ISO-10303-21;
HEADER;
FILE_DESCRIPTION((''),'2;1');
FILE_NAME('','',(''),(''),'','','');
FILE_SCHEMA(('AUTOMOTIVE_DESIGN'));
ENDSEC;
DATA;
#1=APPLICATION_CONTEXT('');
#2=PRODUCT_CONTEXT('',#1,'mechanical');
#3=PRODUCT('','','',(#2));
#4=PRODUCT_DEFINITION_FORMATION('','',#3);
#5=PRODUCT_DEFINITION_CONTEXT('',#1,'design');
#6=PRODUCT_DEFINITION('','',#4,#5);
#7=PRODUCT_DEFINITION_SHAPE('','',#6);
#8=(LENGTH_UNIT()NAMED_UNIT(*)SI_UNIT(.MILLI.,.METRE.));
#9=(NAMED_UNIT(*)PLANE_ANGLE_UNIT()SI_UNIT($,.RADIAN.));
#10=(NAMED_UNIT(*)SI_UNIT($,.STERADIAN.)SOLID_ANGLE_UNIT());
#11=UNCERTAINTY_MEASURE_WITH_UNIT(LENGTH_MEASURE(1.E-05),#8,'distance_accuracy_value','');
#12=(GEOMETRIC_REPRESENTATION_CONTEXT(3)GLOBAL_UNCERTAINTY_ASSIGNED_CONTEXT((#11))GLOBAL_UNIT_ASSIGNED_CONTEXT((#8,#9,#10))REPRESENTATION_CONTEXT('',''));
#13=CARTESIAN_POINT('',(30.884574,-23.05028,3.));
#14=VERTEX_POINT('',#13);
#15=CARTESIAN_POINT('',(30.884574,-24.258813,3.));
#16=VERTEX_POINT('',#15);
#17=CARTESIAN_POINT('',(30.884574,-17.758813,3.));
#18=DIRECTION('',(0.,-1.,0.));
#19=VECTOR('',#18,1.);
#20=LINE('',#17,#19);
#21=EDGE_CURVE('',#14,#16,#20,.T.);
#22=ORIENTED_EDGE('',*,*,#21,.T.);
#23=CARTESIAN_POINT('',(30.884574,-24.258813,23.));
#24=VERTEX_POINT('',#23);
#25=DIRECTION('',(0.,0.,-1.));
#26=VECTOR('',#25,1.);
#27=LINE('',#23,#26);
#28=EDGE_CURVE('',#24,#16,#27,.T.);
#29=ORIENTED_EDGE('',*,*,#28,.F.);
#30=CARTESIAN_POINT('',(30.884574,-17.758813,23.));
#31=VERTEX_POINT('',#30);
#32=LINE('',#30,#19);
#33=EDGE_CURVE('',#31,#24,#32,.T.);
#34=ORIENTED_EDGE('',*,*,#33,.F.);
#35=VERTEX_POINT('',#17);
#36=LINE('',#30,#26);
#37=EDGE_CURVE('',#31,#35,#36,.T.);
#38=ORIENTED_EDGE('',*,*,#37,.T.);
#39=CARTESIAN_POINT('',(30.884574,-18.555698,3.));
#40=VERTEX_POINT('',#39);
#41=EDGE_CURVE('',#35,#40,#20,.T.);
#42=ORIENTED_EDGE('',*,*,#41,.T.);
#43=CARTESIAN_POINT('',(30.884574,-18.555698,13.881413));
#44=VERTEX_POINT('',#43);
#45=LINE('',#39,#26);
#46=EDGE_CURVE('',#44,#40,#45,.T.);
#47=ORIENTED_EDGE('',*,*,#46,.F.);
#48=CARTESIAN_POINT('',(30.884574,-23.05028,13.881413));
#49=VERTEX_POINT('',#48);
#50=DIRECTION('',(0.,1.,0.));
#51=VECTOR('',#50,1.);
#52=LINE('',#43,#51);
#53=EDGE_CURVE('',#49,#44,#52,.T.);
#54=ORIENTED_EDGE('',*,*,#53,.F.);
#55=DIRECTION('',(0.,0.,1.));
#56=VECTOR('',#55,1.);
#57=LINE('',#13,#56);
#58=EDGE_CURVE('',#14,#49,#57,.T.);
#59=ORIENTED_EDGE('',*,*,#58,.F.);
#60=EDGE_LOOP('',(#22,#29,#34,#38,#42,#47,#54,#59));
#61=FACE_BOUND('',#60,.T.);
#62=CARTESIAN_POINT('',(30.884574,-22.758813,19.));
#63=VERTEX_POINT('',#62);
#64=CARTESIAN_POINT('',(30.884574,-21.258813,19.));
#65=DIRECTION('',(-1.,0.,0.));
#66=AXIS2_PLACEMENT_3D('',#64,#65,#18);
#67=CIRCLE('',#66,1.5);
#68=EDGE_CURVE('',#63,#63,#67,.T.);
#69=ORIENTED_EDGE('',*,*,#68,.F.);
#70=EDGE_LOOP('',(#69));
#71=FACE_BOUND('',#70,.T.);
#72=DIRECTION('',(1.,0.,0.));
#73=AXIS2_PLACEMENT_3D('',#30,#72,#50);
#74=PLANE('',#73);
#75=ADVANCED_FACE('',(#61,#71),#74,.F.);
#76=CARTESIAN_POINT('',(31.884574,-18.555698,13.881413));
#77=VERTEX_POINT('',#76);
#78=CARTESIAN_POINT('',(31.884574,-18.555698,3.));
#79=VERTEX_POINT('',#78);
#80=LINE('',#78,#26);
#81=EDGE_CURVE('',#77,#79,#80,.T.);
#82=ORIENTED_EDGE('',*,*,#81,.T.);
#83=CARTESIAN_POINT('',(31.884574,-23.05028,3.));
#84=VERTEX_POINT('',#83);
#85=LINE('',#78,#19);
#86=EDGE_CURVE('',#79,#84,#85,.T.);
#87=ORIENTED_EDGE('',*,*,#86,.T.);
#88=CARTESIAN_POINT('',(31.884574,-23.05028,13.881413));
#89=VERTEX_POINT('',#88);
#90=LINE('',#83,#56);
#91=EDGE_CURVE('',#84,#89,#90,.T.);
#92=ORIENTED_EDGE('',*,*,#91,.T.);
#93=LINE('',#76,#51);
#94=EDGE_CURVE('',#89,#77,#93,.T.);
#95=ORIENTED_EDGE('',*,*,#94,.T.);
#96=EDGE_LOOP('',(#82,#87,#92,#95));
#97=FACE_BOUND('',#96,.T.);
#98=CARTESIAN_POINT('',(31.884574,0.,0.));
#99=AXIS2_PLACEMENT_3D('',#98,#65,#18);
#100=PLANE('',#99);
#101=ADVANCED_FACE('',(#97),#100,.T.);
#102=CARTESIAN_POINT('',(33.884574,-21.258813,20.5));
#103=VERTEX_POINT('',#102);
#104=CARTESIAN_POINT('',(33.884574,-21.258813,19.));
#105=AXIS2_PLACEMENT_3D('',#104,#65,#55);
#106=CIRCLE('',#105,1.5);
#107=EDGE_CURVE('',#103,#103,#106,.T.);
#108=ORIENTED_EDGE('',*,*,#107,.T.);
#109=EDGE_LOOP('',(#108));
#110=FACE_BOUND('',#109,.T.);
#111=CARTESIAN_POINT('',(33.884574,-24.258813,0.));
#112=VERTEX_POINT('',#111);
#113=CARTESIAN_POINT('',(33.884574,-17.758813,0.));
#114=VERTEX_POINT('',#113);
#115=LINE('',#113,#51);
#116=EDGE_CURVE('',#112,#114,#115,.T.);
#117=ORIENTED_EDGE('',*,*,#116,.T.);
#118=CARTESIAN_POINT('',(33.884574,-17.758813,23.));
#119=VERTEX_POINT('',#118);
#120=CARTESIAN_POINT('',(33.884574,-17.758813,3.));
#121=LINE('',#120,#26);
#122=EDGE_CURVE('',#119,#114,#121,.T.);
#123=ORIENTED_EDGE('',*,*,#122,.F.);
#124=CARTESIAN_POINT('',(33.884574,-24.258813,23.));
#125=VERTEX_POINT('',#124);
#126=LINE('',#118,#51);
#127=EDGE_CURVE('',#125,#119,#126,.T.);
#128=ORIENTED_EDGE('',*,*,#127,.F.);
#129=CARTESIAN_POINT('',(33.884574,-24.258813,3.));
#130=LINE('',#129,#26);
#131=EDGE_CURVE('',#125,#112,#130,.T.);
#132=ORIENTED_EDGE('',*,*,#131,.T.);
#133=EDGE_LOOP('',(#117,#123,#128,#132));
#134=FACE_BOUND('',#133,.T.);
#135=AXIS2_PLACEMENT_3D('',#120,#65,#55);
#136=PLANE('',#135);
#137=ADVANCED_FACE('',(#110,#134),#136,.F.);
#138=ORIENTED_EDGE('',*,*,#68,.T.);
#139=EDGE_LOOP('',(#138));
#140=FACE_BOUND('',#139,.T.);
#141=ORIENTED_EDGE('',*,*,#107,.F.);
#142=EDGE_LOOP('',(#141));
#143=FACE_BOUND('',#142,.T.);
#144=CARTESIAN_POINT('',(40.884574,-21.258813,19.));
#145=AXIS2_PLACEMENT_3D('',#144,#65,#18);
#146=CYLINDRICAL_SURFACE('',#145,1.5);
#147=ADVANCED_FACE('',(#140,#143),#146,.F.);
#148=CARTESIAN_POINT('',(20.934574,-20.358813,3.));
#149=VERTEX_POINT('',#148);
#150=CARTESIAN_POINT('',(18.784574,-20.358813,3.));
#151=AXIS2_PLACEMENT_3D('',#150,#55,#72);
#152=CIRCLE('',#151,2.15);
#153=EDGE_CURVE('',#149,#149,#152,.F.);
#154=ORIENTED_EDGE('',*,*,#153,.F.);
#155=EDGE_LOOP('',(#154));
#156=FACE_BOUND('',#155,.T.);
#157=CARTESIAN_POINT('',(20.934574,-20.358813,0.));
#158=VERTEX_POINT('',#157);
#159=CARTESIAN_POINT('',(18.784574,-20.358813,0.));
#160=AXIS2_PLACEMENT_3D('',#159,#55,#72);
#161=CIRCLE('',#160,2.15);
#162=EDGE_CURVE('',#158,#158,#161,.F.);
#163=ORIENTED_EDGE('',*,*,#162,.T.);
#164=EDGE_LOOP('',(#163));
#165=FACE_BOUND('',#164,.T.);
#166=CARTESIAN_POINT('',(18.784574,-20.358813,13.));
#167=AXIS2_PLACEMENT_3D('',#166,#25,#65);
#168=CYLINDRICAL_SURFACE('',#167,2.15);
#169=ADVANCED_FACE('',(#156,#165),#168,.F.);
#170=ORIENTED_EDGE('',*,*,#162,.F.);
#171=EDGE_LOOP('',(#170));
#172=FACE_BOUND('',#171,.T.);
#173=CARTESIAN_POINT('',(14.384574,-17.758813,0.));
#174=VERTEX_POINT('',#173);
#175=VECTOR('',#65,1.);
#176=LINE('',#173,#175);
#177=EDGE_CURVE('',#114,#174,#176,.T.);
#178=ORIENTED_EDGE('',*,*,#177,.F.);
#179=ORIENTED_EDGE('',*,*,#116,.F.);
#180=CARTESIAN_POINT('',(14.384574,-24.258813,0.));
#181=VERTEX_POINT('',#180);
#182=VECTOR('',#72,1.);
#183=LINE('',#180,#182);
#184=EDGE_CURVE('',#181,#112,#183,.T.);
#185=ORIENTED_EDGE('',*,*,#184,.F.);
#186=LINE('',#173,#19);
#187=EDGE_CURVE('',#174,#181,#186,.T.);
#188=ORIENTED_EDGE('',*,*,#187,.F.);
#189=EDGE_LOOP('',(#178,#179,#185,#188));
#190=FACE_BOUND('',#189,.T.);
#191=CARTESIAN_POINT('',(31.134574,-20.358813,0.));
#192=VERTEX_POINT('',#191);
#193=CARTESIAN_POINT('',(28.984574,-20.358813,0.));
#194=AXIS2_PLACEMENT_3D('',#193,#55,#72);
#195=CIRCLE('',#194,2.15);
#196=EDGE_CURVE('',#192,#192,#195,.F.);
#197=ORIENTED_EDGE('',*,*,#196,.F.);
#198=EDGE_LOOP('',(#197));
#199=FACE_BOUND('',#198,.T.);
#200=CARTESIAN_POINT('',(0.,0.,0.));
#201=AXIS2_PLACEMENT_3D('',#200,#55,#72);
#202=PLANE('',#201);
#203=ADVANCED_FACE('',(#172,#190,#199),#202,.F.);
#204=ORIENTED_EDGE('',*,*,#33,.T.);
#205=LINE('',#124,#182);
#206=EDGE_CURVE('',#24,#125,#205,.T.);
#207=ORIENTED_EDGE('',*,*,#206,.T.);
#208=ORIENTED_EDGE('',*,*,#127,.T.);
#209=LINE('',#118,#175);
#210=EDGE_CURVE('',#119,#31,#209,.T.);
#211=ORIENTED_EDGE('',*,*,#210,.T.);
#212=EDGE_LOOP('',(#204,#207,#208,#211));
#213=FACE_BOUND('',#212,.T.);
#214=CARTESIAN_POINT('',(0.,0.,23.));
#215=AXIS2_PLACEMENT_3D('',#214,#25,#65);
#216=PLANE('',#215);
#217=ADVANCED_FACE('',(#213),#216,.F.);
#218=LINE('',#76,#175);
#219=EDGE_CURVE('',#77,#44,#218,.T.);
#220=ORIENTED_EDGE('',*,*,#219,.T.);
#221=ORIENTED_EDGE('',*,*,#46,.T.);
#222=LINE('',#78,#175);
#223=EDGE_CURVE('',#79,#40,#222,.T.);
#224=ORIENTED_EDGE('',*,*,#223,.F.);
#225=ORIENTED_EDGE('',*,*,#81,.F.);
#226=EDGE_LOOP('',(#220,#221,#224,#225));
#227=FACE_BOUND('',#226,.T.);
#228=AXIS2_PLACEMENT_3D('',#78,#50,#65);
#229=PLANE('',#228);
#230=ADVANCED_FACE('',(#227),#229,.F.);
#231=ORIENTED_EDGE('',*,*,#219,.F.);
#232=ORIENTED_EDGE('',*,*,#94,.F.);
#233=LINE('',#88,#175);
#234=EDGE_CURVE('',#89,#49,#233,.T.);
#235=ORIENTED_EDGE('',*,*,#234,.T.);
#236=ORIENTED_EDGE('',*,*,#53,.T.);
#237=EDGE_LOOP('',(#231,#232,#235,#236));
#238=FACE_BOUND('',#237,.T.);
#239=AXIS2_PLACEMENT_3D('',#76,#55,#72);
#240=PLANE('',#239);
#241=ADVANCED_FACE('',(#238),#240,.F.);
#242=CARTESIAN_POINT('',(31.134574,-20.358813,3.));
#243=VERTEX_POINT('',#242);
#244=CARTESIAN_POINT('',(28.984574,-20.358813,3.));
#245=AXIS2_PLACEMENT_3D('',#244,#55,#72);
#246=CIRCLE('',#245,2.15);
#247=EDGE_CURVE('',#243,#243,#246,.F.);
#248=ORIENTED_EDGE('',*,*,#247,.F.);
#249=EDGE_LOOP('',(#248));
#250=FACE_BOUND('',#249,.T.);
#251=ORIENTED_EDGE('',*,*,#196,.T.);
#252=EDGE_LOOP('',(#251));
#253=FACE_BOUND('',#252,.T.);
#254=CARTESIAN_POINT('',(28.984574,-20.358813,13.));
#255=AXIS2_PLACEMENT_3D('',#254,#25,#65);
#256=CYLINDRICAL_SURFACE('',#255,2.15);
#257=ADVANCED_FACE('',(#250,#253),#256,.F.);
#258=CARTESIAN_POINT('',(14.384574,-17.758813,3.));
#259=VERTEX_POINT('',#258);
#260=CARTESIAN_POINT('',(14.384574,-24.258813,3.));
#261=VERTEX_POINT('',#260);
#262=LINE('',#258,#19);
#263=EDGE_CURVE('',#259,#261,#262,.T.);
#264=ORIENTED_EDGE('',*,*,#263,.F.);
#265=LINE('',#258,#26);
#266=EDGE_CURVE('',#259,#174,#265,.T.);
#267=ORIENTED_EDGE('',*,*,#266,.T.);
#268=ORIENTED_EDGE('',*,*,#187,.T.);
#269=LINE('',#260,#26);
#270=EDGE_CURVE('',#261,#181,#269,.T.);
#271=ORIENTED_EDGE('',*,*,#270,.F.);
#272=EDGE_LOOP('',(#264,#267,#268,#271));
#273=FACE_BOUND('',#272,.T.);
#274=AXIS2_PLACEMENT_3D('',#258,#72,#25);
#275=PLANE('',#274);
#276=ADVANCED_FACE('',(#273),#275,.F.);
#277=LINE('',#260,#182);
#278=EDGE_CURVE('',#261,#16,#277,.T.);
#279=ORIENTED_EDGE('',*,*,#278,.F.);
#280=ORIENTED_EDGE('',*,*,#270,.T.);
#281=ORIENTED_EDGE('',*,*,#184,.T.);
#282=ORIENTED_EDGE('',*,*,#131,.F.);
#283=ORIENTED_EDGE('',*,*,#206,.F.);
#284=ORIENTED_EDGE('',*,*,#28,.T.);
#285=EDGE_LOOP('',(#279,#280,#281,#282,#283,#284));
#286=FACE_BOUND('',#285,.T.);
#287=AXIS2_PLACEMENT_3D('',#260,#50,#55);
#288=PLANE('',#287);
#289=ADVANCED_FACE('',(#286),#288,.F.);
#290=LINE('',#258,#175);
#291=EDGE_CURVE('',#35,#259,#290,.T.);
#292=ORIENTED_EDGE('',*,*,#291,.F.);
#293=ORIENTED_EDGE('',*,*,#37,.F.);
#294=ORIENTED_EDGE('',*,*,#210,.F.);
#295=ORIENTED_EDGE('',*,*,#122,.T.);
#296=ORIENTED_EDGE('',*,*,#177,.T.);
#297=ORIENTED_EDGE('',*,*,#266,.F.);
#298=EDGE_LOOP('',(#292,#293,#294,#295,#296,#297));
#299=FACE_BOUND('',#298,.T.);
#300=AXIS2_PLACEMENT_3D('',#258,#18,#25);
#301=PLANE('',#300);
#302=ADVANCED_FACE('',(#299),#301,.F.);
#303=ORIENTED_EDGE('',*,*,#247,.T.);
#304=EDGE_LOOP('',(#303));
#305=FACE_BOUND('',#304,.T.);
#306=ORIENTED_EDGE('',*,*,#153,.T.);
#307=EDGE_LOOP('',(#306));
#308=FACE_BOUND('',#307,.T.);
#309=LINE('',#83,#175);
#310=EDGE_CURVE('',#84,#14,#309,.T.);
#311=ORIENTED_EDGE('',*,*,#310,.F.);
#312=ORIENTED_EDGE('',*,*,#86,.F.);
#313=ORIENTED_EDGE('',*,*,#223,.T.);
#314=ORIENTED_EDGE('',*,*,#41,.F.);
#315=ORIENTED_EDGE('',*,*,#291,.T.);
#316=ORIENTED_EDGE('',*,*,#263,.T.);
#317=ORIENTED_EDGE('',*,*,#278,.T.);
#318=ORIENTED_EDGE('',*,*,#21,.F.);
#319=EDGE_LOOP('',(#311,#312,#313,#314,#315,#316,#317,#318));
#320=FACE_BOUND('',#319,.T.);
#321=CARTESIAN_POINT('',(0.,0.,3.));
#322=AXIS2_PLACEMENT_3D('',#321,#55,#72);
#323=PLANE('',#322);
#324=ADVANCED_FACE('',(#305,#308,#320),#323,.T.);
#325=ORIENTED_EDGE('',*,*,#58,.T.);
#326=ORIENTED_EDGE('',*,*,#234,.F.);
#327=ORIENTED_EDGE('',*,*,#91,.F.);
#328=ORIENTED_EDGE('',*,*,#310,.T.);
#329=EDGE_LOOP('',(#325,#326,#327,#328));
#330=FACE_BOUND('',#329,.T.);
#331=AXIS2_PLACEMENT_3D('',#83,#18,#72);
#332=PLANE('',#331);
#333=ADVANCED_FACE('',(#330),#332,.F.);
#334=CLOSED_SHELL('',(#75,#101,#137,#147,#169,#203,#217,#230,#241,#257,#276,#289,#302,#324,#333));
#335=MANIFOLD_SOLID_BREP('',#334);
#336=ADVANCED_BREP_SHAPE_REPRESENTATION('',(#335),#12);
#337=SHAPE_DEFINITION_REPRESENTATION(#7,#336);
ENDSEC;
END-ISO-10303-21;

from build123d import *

# Parameters (mm, degrees)
SKETCH1_W               = 19.5
SKETCH1_H               = 6.5
BOSS_EXTRUDE1_DEPTH     = 3
SKETCH2_W               = 3
SKETCH2_H               = 6.5
BOSS_EXTRUDE2_DEPTH     = 20
SKETCH3_R               = 1.5
CUT_EXTRUDE1_DEPTH      = 10
CUT_EXTRUDE2_DEPTH      = 10
CUT_EXTRUDE2_DEPTH_BACK = 10
SKETCH4_R               = 2.15
SKETCH5_W               = 10.88141253
SKETCH5_H               = 4.494582939
CUT_EXTRUDE3_DEPTH      = 1


with BuildPart() as part:
    # Sketch1 → Boss-Extrude1 (new body)
    with BuildSketch(Plane.XY):
        with Locations((24.134573854, -21.008812853)):
            Rectangle(SKETCH1_W, SKETCH1_H)
    extrude(amount=BOSS_EXTRUDE1_DEPTH)

    # Sketch2 → Boss-Extrude2 (add)
    with BuildSketch(Plane.XY.offset(3)):
        with Locations((32.384573854, -21.008812853)):
            Rectangle(SKETCH2_W, SKETCH2_H)
    extrude(amount=BOSS_EXTRUDE2_DEPTH)

    # Sketch3 → Cut-Extrude1 (cut)
    with BuildSketch(Plane.ZY.offset(-30.884573854)):
        with Locations(Location((19, -21.258812853, 0), (0, 0, 270))):
            Circle(SKETCH3_R)
    extrude(amount=-CUT_EXTRUDE1_DEPTH, mode=Mode.SUBTRACT)

    # Sketch4 → Cut-Extrude2 (cut, two sides: drawn at the far end of the back side and taken through both)
    with BuildSketch(Plane.XY.offset(3).offset(-CUT_EXTRUDE2_DEPTH_BACK)):
        with Locations(Location((28.984573854, -20.358812853, 0), (0, 0, 27.905472791))):
            Circle(SKETCH4_R)
        with Locations((18.784573854, -20.358812853)):
            Circle(SKETCH4_R)
    extrude(amount=CUT_EXTRUDE2_DEPTH + CUT_EXTRUDE2_DEPTH_BACK, mode=Mode.SUBTRACT)

    # Sketch5 → Cut-Extrude3 (cut)
    with BuildSketch(Plane.ZY.offset(-30.884573854)):
        with Locations((8.440706265, -20.802989028)):
            Rectangle(SKETCH5_W, SKETCH5_H)
    extrude(amount=-CUT_EXTRUDE3_DEPTH, mode=Mode.SUBTRACT)


solid = part.part
